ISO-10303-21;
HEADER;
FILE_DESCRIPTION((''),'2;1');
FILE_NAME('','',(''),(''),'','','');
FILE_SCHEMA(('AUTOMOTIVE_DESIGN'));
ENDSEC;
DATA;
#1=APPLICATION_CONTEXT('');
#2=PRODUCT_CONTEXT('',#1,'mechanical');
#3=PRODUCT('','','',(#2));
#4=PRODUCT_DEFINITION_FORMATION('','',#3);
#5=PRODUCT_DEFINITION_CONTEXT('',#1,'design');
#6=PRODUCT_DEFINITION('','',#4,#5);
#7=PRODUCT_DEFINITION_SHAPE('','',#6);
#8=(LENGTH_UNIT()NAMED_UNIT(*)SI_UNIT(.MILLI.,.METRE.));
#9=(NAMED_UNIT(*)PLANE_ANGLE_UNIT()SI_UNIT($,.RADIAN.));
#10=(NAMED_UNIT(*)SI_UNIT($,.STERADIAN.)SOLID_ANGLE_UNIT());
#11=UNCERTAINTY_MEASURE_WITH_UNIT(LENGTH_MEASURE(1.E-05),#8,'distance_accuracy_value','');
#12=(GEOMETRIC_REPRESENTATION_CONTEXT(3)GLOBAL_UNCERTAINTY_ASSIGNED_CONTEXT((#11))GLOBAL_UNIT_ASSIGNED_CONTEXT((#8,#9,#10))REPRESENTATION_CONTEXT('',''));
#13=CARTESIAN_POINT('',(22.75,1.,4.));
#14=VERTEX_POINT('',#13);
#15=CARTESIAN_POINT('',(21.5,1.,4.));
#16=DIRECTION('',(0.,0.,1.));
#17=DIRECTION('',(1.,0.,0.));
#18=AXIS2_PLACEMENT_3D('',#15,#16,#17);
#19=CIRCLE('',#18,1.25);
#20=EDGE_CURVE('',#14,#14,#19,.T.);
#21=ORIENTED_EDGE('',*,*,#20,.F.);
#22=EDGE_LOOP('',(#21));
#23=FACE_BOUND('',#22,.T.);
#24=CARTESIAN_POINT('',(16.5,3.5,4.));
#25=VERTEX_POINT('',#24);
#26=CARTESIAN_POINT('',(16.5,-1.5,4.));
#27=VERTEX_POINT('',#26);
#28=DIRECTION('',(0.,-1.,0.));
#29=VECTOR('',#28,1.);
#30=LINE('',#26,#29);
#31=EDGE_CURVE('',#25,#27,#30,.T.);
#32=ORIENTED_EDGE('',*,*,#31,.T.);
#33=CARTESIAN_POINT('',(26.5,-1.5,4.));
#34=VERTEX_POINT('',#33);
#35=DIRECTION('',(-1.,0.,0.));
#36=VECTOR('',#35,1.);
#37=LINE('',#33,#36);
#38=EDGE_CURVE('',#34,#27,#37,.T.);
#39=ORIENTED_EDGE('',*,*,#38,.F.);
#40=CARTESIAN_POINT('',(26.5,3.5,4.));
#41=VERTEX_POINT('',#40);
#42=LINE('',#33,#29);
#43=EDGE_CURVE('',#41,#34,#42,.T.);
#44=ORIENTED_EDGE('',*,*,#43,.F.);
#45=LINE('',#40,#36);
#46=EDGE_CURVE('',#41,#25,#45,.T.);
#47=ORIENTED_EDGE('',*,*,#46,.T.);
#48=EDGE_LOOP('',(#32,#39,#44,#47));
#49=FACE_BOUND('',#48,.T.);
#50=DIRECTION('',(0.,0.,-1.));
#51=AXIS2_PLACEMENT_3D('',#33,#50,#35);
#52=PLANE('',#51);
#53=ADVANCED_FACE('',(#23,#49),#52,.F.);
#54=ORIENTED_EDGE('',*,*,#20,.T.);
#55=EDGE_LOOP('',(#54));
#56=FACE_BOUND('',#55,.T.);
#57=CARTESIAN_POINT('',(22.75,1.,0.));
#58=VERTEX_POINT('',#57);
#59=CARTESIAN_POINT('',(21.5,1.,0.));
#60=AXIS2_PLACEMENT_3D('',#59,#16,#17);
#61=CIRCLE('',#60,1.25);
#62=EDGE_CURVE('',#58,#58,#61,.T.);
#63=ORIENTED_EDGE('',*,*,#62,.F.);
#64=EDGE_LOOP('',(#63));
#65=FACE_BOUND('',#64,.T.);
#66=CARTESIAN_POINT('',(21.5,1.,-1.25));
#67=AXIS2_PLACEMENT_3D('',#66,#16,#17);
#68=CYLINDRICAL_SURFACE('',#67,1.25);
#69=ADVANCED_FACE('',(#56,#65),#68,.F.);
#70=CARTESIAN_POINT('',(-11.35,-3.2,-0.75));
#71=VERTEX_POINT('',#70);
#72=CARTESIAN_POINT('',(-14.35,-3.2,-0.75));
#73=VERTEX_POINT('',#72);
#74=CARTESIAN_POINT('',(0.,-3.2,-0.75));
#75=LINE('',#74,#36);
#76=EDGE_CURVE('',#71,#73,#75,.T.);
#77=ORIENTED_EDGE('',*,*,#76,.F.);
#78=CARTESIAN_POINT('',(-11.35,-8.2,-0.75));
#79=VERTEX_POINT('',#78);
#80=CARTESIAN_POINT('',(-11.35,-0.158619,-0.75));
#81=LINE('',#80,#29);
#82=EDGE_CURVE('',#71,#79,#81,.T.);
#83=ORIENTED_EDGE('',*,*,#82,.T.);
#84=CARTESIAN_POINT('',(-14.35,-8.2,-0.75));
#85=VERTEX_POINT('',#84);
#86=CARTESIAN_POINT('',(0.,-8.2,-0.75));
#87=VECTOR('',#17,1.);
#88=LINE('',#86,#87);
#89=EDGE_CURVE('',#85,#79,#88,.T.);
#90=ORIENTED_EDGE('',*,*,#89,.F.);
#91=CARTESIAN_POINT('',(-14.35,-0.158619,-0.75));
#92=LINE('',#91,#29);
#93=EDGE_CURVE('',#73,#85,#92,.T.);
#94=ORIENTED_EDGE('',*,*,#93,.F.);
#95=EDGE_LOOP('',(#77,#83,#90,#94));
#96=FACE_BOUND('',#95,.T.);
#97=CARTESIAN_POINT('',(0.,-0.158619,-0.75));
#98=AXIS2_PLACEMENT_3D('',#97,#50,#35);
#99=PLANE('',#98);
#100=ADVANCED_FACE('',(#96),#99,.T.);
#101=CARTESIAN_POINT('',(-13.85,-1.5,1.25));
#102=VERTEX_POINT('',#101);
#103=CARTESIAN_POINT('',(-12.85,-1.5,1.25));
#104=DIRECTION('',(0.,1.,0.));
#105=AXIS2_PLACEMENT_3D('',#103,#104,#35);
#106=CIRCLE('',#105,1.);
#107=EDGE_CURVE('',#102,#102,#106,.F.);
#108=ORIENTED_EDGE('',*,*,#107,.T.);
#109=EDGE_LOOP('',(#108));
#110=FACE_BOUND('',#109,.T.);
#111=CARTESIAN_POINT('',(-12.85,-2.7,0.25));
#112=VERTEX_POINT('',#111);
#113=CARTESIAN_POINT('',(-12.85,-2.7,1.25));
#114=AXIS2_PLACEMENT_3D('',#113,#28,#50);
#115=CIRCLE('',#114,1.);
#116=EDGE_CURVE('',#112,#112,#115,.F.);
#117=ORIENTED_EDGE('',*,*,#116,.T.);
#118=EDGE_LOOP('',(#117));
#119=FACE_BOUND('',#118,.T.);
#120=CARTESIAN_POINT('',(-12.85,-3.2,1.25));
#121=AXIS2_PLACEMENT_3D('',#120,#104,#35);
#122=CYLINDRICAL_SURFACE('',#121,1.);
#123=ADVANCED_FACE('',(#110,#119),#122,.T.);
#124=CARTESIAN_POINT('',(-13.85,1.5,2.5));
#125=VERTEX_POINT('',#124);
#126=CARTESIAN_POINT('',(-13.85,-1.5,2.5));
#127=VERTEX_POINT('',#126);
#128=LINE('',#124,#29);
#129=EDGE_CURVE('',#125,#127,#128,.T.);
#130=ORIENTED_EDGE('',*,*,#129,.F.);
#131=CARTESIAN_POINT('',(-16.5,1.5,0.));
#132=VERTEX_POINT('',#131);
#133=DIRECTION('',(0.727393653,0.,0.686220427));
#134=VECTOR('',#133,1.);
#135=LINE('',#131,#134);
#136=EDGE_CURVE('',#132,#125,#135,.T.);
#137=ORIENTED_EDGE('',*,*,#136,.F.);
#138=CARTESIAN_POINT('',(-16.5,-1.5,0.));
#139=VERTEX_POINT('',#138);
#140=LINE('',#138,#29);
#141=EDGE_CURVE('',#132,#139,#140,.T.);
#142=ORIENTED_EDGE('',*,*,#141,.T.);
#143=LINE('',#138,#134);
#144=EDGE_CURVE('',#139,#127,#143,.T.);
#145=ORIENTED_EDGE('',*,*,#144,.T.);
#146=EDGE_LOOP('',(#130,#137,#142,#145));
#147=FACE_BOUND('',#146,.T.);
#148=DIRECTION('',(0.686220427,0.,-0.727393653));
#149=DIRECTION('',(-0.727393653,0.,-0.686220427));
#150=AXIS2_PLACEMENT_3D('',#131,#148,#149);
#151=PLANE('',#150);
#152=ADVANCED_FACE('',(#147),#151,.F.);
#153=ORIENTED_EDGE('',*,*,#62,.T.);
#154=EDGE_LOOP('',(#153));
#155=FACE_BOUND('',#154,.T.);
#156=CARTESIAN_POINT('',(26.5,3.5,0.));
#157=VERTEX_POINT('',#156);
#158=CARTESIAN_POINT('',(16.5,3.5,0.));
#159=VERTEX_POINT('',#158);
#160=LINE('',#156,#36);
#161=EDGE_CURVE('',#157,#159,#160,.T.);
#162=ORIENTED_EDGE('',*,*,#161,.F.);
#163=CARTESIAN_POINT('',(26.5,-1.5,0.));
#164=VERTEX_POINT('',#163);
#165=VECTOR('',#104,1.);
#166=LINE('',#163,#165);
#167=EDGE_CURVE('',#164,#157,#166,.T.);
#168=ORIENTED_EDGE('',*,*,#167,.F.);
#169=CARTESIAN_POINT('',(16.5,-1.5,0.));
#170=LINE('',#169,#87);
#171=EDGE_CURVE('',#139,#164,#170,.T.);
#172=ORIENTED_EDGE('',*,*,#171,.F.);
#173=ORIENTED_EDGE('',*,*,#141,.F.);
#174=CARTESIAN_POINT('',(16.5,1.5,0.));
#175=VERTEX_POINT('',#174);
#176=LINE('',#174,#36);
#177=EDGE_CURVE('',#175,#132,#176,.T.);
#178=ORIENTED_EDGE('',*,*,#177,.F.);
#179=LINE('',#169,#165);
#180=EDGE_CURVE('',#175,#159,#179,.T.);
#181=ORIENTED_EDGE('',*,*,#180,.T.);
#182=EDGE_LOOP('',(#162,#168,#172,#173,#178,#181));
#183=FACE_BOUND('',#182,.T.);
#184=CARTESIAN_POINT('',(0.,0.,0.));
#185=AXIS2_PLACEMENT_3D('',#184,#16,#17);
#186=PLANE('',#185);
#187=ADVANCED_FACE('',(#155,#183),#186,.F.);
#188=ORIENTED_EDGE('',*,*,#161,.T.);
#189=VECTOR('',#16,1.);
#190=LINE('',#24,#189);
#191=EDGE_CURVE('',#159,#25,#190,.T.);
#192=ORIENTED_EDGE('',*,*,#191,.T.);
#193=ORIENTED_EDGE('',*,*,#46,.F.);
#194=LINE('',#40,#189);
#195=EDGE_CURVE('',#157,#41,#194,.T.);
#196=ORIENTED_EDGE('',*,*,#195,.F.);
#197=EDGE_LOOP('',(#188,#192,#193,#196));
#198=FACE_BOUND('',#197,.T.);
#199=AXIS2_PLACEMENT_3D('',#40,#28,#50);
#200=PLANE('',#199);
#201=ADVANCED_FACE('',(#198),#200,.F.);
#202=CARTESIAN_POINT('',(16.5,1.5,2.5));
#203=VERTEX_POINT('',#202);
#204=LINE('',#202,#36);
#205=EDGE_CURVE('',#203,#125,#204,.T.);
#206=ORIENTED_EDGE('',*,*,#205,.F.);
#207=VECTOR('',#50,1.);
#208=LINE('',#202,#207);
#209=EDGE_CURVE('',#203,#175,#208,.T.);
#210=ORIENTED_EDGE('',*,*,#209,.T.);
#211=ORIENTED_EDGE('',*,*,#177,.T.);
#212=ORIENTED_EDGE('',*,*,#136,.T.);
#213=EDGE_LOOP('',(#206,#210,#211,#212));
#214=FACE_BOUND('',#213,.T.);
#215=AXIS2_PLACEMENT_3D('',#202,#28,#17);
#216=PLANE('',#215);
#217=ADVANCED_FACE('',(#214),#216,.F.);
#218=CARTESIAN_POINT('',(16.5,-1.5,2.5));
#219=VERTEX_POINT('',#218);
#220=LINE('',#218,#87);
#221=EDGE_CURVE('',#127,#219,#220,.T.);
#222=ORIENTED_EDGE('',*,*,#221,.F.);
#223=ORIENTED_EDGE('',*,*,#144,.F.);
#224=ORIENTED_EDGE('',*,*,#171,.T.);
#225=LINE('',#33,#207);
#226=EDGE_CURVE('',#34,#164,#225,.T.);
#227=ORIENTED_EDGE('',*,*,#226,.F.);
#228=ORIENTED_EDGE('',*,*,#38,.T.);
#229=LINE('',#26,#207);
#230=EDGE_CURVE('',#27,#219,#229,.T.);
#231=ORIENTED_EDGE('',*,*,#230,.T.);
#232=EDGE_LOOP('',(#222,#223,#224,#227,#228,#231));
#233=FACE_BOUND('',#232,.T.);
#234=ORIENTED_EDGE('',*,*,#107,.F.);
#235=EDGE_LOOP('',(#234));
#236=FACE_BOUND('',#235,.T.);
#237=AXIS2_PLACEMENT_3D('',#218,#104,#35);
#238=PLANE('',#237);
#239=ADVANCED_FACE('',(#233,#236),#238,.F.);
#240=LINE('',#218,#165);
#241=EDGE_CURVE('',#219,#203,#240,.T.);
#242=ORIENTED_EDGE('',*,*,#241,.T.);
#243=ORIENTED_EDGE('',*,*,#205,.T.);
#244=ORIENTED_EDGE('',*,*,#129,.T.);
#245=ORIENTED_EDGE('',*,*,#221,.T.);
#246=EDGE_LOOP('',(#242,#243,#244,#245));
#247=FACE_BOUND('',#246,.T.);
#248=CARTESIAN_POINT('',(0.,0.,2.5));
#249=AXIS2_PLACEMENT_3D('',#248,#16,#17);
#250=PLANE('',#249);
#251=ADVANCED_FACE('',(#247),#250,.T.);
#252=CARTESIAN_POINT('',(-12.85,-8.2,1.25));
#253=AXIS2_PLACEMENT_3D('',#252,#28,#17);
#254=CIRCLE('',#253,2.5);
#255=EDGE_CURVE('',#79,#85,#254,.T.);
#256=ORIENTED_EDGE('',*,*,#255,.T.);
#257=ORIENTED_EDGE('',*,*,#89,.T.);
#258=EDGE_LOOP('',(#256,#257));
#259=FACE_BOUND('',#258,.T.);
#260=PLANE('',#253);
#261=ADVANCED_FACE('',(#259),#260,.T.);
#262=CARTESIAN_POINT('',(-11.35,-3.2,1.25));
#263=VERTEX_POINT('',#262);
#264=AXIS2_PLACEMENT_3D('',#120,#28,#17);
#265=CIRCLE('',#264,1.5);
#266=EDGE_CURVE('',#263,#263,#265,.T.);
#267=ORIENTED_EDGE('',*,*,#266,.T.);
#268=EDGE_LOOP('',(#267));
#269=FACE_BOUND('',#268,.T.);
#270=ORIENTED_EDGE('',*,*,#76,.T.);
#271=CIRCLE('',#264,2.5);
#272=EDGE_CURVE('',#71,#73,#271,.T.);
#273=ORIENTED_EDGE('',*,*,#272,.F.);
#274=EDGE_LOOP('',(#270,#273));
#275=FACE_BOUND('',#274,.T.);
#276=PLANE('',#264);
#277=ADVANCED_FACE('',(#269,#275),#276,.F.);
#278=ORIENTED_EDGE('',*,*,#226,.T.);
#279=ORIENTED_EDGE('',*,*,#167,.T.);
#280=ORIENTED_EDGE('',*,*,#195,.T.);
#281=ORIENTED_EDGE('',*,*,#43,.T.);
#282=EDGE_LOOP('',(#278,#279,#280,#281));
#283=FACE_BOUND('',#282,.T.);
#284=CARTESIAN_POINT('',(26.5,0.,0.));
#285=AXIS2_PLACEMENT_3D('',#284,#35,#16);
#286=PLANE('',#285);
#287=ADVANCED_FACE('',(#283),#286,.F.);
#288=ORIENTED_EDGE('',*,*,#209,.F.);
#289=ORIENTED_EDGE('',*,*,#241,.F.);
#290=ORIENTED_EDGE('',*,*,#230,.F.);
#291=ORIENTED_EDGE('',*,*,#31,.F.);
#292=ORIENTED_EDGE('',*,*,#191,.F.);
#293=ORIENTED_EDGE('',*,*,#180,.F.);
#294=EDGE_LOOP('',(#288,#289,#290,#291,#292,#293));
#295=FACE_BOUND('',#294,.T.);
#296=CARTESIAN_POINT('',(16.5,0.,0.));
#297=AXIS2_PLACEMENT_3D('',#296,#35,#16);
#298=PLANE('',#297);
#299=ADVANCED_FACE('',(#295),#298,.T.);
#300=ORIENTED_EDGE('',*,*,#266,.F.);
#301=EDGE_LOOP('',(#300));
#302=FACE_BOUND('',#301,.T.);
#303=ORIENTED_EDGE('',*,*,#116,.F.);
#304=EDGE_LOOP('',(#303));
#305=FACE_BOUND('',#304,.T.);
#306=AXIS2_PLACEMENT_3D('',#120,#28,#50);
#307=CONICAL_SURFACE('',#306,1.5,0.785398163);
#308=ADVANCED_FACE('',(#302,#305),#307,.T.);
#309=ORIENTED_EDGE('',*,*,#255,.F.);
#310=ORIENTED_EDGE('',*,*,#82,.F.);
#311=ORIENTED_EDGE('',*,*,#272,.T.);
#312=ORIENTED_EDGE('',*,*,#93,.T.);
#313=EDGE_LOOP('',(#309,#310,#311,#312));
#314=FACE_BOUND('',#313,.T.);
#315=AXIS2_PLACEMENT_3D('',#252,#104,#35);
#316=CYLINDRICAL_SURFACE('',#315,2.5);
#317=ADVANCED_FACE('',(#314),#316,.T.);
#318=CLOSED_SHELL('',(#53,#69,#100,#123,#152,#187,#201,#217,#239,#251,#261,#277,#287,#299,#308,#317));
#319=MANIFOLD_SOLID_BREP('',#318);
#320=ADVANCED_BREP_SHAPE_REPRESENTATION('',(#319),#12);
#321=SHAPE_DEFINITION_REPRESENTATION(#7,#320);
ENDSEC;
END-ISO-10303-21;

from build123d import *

# Parameters (mm, degrees)
SCHIZZO1_W                   = 33
SCHIZZO1_H                   = 3
ESTRUSIONE_ESTRUSIONE1_DEPTH = 2.5
TAGLIO_ESTRUSIONE1_DEPTH     = 17.955824958
SCHIZZO3_R                   = 1
ESTRUSIONE_ESTRUSIONE2_DEPTH = 1.7
SCHIZZO5_R                   = 2.5
ESTRUSIONE_ESTRUSIONE3_DEPTH = 5
SMUSSO2_SIZE                 = 0.5
SCHIZZO8_W                   = 4
SCHIZZO8_H                   = 5
ESTRUSIONE_ESTRUSIONE6_DEPTH = 10
TAGLIO_ESTRUSIONE3_DEPTH     = 29.232118234
TAGLIO_ESTRUSIONE4_START     = -5
TAGLIO_ESTRUSIONE4_DEPTH     = 5


with BuildPart() as part:
    # Schizzo1 → Estrusione-Estrusione1 (new body)
    with BuildSketch(Plane.XY):
        Rectangle(SCHIZZO1_W, SCHIZZO1_H)
    extrude(amount=ESTRUSIONE_ESTRUSIONE1_DEPTH)

    # Schizzo2 → Taglio-Estrusione1 (cut, through all)
    with BuildSketch(Plane.XZ.offset(1.5)):
        Polygon((-16.5, 0), (-13.85, 2.5), (-16.5, 2.5), align=None)
    extrude(amount=-TAGLIO_ESTRUSIONE1_DEPTH, mode=Mode.SUBTRACT)

    # Schizzo3 → Estrusione-Estrusione2 (add)
    with BuildSketch(Plane.XZ.offset(1.5)):
        with Locations(Location((-12.85, 1.25, 0), (0, 0, 180))):
            Circle(SCHIZZO3_R)
    extrude(amount=ESTRUSIONE_ESTRUSIONE2_DEPTH)

    # Schizzo5 → Estrusione-Estrusione3 (add)
    with BuildSketch(Plane.XZ.offset(3.2)):
        with Locations((-12.85, 1.25)):
            Circle(SCHIZZO5_R)
    extrude(amount=ESTRUSIONE_ESTRUSIONE3_DEPTH)

    # Smusso2
    smusso2_edges = [part.edges().sort_by_distance(p)[0] for p in [
        (-11.85, -3.2, 1.25),
    ]]
    chamfer(smusso2_edges, length=SMUSSO2_SIZE)

    # Schizzo8 → Estrusione-Estrusione6 (add)
    with BuildSketch(Plane(origin=(16.5, 0, 0), x_dir=(0, 0, -1), z_dir=(1, 0, 0))):
        with Locations((-2, 1)):
            Rectangle(SCHIZZO8_W, SCHIZZO8_H)
    extrude(amount=ESTRUSIONE_ESTRUSIONE6_DEPTH)

    # Schizzo9 → Taglio-Estrusione3 (cut, through all)
    with BuildSketch(Plane.XY.offset(4)):
        with BuildLine():
            ThreePointArc((22.75, 1), (21.787191151, 2.216561237), (20.381966011, 1.559016994))
            Line((20.381966011, 1.559016994), (22.618033989, 0.440983006))
            ThreePointArc((22.618033989, 0.440983006), (22.716561237, 0.712808849), (22.75, 1))
        make_face()
        with BuildLine():
            Line((22.618033989, 0.440983006), (20.381966011, 1.559016994))
            ThreePointArc((20.381966011, 1.559016994), (20.940983006, -0.118033989), (22.618033989, 0.440983006))
        make_face()
    extrude(amount=-TAGLIO_ESTRUSIONE3_DEPTH, mode=Mode.SUBTRACT)

    # Schizzo10 → Taglio-Estrusione4 (cut)
    with BuildSketch(Plane.XZ.offset(8.2).offset(TAGLIO_ESTRUSIONE4_START)):
        with BuildLine():
            Line((-11.35, -0.75), (-14.35, -0.75))
            ThreePointArc((-14.35, -0.75), (-12.85, -1.25), (-11.35, -0.75))
        make_face()
    extrude(amount=TAGLIO_ESTRUSIONE4_DEPTH, mode=Mode.SUBTRACT)


solid = part.part
